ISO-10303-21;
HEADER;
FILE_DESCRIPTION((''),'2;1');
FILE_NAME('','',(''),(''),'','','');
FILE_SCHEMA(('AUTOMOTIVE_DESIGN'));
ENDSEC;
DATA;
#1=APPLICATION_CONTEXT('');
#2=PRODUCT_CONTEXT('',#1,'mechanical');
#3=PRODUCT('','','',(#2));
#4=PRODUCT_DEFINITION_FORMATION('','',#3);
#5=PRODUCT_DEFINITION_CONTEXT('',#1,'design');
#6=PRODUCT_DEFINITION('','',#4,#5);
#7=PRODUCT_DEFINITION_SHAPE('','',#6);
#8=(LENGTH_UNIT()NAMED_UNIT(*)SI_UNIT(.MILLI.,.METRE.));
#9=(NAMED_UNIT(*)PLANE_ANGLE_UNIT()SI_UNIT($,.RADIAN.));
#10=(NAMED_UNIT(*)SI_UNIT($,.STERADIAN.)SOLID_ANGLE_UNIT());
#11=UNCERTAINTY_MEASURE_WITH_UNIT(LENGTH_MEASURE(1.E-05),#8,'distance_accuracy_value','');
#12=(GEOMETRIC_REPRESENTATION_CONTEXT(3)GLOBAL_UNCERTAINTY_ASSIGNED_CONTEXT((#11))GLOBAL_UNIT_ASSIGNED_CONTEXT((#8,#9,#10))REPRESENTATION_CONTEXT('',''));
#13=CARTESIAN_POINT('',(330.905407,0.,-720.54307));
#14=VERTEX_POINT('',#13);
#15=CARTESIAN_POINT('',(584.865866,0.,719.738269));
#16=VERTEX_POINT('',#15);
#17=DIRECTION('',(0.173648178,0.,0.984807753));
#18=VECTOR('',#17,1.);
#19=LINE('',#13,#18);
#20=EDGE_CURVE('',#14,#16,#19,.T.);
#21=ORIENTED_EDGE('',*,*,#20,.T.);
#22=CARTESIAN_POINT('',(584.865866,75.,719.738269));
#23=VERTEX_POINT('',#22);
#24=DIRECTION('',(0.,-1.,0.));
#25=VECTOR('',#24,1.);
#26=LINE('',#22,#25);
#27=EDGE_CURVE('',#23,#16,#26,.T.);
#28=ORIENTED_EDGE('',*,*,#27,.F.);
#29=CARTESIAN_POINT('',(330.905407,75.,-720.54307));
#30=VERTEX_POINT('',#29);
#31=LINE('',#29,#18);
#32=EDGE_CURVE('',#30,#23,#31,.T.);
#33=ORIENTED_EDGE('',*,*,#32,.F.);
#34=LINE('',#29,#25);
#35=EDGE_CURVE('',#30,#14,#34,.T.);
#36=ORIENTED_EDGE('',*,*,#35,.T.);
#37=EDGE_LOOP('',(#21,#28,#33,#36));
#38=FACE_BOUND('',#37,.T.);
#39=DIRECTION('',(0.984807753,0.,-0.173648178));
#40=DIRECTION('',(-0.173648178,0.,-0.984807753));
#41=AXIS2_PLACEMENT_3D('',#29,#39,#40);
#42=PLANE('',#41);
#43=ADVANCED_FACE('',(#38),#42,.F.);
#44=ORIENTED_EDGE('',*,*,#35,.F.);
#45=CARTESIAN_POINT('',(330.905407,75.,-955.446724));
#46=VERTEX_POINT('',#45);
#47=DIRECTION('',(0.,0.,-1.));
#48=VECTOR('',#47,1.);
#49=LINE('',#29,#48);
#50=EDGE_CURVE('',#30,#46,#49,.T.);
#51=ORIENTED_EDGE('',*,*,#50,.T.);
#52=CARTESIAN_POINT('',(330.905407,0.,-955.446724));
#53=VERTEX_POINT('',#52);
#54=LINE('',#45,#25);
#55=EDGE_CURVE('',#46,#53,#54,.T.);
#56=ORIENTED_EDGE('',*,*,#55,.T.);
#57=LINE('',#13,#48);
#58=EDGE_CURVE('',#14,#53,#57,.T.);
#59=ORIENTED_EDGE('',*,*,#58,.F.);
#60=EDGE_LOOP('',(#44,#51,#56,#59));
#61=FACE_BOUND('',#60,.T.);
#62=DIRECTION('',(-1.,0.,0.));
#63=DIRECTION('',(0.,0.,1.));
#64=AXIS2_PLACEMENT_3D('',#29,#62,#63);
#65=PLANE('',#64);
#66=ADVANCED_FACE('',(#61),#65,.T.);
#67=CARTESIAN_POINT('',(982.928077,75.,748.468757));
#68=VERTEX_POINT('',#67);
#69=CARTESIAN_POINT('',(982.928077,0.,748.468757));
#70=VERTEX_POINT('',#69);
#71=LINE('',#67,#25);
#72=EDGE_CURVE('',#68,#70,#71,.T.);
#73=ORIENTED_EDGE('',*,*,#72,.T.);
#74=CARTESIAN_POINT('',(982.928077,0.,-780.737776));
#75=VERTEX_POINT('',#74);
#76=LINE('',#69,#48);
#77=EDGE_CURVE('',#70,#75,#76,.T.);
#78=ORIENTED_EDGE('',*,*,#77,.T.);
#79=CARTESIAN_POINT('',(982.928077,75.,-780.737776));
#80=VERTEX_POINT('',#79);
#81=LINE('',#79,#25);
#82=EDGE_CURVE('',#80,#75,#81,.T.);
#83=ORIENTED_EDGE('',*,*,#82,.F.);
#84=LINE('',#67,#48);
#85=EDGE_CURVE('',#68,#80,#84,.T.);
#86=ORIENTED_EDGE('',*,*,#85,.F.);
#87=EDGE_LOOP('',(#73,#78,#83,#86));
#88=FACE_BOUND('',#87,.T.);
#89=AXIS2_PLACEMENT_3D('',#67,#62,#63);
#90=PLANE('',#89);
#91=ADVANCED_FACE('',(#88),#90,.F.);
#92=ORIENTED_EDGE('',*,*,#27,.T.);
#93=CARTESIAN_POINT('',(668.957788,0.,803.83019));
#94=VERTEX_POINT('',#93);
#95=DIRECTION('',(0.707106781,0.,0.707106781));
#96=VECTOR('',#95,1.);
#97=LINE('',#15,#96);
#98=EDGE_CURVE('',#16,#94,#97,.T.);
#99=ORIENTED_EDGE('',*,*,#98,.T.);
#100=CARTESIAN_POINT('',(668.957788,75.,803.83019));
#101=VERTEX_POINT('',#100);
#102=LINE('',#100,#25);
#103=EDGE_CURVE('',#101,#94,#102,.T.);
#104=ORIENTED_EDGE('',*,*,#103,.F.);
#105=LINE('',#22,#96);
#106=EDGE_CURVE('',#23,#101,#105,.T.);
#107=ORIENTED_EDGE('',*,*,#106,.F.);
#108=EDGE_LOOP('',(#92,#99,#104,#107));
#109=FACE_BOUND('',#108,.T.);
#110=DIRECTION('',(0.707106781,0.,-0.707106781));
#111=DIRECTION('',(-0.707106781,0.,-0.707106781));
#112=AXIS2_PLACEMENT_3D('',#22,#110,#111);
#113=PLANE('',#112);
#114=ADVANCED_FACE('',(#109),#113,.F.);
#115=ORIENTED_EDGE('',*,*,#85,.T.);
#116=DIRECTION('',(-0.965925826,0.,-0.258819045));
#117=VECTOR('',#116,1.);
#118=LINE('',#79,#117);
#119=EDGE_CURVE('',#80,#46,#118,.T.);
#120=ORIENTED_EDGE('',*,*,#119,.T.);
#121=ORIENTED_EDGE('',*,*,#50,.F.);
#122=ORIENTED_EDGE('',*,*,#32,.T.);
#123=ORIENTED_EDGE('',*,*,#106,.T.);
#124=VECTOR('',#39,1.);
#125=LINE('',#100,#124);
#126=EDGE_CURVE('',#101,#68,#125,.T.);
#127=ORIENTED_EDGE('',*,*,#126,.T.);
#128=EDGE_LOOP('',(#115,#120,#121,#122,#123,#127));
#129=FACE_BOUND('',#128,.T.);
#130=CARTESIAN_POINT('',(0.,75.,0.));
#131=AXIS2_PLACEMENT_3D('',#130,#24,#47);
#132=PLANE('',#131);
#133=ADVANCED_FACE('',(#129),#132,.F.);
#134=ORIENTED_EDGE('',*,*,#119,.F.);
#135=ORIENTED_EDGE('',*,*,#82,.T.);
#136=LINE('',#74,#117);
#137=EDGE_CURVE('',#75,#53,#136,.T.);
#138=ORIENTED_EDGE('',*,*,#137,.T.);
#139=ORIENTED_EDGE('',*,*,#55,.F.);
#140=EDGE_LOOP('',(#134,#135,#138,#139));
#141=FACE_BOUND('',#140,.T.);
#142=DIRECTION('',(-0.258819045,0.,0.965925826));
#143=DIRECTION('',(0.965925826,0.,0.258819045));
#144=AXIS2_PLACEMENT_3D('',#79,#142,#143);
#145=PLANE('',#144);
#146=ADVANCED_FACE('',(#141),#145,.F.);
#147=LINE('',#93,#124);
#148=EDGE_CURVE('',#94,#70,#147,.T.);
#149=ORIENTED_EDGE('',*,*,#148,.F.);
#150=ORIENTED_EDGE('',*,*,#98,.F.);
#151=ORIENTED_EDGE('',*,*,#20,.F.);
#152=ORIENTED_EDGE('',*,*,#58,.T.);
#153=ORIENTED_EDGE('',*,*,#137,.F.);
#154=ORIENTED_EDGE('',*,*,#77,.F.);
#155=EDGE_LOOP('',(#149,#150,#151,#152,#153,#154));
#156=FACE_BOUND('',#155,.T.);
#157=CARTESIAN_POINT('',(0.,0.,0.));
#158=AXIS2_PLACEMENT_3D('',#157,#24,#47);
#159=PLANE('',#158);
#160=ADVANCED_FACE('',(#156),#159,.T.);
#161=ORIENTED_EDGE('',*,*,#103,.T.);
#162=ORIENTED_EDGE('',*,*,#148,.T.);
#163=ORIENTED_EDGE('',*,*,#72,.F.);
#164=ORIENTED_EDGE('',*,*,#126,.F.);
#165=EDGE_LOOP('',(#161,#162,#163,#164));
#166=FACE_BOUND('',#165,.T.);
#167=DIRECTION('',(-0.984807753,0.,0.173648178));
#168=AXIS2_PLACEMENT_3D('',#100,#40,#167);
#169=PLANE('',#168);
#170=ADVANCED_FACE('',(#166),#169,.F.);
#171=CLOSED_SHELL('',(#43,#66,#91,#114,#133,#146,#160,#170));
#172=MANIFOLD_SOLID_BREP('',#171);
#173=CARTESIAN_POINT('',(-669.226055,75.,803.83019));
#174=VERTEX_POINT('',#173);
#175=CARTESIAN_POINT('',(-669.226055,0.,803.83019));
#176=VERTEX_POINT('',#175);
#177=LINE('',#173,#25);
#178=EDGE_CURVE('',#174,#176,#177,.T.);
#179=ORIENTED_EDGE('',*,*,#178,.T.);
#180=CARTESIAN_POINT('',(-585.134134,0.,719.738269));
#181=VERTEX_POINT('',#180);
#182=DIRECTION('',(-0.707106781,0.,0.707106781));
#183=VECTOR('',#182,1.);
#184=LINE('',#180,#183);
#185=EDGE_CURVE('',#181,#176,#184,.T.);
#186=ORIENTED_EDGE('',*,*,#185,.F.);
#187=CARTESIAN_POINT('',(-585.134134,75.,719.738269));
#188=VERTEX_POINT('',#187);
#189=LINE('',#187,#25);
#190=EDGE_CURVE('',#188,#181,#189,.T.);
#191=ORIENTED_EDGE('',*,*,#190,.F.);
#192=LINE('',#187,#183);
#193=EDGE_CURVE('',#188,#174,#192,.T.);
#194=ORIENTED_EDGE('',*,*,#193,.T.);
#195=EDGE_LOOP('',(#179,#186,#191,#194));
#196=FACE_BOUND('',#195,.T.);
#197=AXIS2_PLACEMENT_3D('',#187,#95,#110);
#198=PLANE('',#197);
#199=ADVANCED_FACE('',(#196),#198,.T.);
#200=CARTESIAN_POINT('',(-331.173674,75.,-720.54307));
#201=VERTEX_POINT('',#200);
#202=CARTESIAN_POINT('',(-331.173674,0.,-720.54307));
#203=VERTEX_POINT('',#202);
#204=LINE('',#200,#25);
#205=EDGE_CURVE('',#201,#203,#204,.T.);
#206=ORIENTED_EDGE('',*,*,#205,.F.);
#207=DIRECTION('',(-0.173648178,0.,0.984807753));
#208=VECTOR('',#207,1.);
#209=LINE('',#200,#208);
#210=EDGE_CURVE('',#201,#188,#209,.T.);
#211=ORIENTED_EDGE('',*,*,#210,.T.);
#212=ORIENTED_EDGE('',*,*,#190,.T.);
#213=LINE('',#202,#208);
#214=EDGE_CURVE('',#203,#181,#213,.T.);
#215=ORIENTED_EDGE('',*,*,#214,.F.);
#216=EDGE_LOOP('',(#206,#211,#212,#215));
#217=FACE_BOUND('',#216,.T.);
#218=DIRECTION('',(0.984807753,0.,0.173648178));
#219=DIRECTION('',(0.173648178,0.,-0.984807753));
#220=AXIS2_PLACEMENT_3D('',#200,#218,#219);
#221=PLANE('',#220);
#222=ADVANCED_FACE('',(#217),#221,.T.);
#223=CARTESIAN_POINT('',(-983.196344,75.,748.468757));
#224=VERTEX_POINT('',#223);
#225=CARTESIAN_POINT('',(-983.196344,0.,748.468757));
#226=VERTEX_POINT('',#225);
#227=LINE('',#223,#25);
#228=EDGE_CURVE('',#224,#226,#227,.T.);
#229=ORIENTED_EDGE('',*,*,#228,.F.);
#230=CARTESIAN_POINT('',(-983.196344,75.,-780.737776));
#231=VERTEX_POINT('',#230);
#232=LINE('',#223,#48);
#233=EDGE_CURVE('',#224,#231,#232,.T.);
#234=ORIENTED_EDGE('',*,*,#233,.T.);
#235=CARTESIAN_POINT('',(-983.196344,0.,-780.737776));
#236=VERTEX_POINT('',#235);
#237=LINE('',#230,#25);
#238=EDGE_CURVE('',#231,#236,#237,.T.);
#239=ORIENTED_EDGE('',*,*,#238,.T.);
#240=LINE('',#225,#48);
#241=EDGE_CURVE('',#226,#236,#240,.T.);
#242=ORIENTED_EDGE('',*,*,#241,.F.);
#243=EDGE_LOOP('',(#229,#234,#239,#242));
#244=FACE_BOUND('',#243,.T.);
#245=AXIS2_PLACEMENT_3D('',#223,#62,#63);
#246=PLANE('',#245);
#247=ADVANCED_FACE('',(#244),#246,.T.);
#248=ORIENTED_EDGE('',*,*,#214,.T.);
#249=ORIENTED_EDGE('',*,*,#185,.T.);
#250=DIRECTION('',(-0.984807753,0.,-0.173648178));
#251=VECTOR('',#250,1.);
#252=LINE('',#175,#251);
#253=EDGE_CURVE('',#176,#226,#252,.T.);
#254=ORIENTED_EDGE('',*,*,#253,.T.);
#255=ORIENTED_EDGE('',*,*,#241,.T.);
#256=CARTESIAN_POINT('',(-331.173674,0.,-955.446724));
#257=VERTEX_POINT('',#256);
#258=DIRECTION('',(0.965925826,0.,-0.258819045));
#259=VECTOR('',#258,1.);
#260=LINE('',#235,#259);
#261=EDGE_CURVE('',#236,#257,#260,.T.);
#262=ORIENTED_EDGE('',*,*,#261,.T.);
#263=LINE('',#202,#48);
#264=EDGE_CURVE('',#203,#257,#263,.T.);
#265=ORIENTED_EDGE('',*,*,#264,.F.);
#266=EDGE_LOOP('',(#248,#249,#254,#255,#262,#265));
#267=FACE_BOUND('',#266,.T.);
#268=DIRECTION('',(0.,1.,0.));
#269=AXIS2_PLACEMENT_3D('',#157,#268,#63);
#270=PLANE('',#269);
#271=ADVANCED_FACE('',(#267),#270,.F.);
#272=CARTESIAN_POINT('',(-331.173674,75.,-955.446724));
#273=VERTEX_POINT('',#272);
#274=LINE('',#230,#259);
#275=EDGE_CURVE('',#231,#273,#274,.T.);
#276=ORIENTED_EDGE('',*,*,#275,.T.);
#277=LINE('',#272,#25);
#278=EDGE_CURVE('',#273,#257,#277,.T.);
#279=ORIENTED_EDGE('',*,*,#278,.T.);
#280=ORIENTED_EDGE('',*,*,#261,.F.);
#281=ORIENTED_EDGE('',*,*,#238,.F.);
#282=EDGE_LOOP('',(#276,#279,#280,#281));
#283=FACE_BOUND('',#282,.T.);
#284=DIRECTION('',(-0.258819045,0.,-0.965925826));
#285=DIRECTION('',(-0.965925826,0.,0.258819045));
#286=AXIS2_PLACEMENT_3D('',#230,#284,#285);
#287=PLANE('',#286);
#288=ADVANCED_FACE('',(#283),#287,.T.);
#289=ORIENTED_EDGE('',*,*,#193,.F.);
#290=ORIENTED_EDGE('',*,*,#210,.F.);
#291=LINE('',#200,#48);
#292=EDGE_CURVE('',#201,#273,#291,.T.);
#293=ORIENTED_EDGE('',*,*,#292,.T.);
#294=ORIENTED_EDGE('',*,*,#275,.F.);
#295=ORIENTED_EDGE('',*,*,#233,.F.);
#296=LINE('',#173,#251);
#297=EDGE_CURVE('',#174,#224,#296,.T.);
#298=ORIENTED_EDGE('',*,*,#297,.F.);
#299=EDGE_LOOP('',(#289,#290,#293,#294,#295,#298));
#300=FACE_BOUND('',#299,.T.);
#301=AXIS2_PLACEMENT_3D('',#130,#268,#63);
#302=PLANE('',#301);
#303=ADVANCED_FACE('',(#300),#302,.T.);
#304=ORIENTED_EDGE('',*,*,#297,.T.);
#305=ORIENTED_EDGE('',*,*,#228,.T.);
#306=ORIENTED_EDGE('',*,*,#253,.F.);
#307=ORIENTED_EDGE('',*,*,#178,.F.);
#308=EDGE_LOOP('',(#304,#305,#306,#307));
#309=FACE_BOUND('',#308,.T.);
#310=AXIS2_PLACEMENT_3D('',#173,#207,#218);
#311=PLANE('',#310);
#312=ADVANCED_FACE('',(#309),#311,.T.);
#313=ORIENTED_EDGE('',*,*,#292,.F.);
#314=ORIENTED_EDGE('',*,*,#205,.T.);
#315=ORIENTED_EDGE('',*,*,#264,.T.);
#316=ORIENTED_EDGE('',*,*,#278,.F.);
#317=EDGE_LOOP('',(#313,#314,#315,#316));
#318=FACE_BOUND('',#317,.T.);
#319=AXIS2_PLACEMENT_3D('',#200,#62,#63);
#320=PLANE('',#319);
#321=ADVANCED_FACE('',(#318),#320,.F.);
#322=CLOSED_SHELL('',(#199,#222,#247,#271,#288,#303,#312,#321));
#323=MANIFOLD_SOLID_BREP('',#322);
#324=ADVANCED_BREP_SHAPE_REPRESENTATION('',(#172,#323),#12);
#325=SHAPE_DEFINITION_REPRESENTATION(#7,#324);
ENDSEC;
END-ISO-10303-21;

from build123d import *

# Parameters (mm, degrees)
BOSS_EXTRUDE1_DEPTH   = 75
BOSS_EXTRUDE1_2_DEPTH = 75


with BuildPart() as part:
    # Sketch2 → Boss-Extrude1 (new body)
    with BuildSketch(Plane(origin=(0, 0, 0), x_dir=(1, 0, 0), z_dir=(0, 1, 0))):
        Polygon((584.865866398, -719.738268583), (668.957787666, -803.830189852), (982.928076995, -748.468756703), (982.928076995, 780.737776155), (330.90540656, 955.446724145), (330.90540656, 720.543070197), align=None)
    extrude(amount=BOSS_EXTRUDE1_DEPTH)


with BuildPart() as body_2:
    # Sketch2 → Boss-Extrude1 2 (new body)
    with BuildSketch(Plane(origin=(0, 0, 0), x_dir=(1, 0, 0), z_dir=(0, 1, 0))):
        Polygon((-331.173673764, 720.543070197), (-331.173673764, 955.446724145), (-983.196344199, 780.737776155), (-983.196344199, -748.468756703), (-669.226054871, -803.830189852), (-585.134133602, -719.738268583), align=None)
    extrude(amount=BOSS_EXTRUDE1_2_DEPTH)


solid = Compound([part.part, body_2.part])
